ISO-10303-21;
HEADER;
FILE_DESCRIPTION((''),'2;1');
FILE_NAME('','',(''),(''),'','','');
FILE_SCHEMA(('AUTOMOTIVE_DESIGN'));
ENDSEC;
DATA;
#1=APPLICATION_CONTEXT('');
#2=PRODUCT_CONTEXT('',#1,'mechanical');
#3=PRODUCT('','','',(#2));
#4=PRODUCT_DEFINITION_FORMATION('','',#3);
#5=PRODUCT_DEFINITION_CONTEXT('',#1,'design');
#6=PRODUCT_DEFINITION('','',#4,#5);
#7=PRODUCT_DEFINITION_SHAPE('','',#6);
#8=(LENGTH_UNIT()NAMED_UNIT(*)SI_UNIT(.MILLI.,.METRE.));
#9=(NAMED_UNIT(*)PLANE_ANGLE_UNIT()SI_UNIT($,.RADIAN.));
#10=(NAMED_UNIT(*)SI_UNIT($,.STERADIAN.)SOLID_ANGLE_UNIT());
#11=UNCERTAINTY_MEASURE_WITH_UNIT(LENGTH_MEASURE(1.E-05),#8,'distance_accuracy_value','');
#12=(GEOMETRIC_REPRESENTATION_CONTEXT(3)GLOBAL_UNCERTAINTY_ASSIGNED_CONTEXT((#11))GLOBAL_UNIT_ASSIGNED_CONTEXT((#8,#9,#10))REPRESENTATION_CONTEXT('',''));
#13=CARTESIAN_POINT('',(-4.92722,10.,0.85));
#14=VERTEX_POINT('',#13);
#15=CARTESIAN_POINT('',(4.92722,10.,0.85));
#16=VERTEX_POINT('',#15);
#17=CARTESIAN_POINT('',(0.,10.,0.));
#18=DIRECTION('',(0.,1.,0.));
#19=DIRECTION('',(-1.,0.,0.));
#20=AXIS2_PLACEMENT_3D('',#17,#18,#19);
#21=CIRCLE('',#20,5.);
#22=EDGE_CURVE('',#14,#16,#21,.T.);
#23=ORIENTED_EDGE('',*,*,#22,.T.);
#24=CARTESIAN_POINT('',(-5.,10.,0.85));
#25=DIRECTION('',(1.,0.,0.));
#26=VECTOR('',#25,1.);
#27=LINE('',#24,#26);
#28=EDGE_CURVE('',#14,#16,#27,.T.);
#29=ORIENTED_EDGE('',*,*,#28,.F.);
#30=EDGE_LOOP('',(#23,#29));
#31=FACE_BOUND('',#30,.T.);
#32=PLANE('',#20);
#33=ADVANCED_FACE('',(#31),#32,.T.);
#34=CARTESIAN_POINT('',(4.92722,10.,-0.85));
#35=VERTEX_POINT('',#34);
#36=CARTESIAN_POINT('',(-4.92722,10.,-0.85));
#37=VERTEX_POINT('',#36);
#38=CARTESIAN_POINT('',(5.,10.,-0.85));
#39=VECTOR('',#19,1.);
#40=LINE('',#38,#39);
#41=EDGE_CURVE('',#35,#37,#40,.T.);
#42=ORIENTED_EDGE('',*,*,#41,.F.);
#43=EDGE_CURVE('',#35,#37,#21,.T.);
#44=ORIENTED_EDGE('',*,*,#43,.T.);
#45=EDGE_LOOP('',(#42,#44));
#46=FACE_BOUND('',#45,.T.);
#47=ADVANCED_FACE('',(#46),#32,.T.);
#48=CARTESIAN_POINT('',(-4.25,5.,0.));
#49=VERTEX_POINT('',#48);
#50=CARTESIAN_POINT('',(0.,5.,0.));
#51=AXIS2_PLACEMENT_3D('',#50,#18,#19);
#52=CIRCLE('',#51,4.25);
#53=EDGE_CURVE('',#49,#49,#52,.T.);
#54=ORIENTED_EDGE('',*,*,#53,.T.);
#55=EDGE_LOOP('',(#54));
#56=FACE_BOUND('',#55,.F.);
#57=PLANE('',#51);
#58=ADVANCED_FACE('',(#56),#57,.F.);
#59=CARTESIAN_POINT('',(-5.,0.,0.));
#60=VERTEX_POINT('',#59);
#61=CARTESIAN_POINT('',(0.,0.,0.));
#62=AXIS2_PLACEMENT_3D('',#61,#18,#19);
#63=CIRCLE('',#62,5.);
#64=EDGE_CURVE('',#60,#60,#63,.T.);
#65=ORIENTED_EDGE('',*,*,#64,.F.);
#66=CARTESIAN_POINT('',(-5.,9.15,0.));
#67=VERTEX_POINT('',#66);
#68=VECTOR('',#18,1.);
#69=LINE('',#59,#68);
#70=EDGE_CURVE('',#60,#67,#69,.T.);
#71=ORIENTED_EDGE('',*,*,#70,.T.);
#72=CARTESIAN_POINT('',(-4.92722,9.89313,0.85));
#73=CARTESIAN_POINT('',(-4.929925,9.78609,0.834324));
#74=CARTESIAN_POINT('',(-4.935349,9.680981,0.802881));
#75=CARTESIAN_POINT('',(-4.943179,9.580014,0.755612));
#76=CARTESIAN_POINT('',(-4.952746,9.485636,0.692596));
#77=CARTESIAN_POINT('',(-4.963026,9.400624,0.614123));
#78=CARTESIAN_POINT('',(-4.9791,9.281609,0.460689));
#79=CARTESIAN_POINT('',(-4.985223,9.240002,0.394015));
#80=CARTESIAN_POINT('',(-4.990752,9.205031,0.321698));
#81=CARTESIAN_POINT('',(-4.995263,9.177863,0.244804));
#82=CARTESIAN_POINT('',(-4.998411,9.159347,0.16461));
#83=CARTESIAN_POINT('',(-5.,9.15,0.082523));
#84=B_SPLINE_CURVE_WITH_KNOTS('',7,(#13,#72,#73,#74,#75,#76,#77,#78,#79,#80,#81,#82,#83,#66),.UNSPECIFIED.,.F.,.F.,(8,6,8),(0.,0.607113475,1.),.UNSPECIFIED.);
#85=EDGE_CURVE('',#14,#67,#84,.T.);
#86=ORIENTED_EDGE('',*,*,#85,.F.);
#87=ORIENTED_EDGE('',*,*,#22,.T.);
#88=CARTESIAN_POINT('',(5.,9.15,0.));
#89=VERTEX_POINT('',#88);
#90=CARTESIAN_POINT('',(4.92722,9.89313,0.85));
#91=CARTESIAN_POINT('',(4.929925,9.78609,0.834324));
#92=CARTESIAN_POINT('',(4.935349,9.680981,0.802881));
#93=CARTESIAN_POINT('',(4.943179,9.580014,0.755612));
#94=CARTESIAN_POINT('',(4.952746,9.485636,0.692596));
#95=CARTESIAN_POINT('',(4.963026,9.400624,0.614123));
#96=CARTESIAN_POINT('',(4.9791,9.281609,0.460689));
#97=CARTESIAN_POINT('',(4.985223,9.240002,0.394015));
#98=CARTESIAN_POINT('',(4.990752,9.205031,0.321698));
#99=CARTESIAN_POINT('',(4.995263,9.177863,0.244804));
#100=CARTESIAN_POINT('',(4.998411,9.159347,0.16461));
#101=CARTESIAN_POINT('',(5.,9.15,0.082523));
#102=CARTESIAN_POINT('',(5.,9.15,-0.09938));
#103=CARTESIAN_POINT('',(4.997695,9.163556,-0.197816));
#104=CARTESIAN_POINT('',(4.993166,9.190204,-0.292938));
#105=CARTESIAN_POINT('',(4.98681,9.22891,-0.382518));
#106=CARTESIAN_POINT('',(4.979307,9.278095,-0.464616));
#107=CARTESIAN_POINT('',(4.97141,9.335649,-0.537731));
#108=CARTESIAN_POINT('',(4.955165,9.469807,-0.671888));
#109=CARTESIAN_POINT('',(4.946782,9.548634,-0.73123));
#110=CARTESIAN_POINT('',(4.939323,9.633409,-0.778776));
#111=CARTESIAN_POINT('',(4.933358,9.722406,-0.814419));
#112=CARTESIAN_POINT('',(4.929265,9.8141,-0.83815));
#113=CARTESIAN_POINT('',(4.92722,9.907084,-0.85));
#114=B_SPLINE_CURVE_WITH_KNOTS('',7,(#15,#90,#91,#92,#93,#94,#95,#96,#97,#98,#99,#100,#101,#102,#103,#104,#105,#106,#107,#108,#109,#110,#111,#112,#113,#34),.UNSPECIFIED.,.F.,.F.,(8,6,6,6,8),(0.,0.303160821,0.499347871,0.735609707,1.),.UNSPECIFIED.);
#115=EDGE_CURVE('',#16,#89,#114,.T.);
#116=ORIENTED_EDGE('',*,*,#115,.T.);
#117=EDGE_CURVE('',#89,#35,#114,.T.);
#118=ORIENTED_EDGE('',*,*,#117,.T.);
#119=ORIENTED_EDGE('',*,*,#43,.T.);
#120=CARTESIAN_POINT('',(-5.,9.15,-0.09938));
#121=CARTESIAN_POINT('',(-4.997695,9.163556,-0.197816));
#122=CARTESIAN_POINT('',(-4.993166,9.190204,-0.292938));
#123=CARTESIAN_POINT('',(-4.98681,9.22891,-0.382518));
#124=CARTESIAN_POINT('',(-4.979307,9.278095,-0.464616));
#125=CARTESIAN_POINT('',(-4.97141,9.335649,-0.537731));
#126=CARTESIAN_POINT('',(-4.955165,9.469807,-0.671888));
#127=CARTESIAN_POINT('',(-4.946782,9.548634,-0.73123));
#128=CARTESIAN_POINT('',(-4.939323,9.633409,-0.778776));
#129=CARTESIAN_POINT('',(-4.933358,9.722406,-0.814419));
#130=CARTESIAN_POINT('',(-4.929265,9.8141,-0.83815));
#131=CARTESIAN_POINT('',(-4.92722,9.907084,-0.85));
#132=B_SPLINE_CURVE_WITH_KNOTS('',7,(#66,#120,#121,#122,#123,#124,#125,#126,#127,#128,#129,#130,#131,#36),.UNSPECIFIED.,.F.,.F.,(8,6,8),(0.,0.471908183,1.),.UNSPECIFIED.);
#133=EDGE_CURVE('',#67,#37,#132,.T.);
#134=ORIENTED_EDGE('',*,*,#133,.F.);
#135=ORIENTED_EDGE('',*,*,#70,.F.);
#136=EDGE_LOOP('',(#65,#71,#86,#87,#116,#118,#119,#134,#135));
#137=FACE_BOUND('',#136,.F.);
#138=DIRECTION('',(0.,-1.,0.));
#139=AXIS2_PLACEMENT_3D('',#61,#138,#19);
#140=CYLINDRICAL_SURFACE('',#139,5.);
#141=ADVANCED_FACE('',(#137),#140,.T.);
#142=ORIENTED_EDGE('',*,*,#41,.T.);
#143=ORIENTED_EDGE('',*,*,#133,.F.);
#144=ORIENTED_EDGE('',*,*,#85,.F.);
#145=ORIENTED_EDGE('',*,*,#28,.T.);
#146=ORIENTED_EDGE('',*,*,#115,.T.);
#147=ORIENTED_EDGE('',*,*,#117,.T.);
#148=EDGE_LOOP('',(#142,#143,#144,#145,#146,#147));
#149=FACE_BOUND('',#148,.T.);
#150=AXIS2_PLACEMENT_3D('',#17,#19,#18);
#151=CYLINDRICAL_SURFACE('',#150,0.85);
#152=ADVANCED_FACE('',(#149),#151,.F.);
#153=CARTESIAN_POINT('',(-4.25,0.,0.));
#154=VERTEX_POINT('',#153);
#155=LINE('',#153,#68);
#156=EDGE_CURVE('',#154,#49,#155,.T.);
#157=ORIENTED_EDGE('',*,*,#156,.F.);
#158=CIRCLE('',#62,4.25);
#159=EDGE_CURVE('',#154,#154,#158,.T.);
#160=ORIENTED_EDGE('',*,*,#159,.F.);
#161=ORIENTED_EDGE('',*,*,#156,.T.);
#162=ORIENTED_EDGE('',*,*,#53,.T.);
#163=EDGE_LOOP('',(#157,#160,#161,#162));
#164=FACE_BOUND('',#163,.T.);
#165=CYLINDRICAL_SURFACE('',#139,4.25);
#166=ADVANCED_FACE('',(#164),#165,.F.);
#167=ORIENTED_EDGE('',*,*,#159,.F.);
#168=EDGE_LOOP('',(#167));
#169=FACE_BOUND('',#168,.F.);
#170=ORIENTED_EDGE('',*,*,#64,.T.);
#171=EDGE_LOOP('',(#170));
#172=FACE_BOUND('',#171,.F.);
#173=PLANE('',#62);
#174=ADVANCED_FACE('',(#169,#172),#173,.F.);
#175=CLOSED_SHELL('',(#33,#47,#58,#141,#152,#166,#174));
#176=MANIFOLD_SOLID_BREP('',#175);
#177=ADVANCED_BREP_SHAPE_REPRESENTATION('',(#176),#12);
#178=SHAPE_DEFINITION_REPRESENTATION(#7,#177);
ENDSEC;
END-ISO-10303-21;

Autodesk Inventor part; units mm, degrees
ref_plane "YZ Plane" through (0, 0, 0) normal (1, 0, 0) x (0, 1, 0)
ref_plane "XZ Plane" through (0, 0, 0) normal (0, 1, 0) x (-1, 0, 0)
ref_plane "XY Plane" through (0, 0, 0) normal (0, 0, 1) x (1, 0, 0)
sketch "Sketch1" plane through (0, 0, 0) normal (0, 1, 0) x (-1, 0, 0)
  circle A0 centre (0, 0) radius 5
  circle A1 centre (0, 0) radius 4.25
  dimension "d0" = 10
  dimension "d1" = 8.5
extrude "Extrusion1" add sketch "Sketch1" along normal blind 10 contours A0 | A1
extrude "Extrusion2" cut sketch "Sketch1" along normal blind 5 contours A1
sketch "Sketch3" plane through (0, 0, 0) normal (1, 0, 0) x (0, 1, 0)
  circle A0 centre (10, 0) radius 0.85
  line L0 (0, -5) -> (10, -5) projected
  line L1 (0, 5) -> (10, 5) projected
  line L2 (10, -5) -> (10, 5) projected
  point P0 (0, 0)
  point P1 (10, -0.85)
  point P2 (10, 0.85)
  dimension "d9" = 1.7
  dimension "d10" = 5
extrude "Extrusion4" cut sketch "Sketch3" along normal mid plane 10 contours L2 A0 picked at (9.5995, 0.1005)
properties part number "rodamiento"
